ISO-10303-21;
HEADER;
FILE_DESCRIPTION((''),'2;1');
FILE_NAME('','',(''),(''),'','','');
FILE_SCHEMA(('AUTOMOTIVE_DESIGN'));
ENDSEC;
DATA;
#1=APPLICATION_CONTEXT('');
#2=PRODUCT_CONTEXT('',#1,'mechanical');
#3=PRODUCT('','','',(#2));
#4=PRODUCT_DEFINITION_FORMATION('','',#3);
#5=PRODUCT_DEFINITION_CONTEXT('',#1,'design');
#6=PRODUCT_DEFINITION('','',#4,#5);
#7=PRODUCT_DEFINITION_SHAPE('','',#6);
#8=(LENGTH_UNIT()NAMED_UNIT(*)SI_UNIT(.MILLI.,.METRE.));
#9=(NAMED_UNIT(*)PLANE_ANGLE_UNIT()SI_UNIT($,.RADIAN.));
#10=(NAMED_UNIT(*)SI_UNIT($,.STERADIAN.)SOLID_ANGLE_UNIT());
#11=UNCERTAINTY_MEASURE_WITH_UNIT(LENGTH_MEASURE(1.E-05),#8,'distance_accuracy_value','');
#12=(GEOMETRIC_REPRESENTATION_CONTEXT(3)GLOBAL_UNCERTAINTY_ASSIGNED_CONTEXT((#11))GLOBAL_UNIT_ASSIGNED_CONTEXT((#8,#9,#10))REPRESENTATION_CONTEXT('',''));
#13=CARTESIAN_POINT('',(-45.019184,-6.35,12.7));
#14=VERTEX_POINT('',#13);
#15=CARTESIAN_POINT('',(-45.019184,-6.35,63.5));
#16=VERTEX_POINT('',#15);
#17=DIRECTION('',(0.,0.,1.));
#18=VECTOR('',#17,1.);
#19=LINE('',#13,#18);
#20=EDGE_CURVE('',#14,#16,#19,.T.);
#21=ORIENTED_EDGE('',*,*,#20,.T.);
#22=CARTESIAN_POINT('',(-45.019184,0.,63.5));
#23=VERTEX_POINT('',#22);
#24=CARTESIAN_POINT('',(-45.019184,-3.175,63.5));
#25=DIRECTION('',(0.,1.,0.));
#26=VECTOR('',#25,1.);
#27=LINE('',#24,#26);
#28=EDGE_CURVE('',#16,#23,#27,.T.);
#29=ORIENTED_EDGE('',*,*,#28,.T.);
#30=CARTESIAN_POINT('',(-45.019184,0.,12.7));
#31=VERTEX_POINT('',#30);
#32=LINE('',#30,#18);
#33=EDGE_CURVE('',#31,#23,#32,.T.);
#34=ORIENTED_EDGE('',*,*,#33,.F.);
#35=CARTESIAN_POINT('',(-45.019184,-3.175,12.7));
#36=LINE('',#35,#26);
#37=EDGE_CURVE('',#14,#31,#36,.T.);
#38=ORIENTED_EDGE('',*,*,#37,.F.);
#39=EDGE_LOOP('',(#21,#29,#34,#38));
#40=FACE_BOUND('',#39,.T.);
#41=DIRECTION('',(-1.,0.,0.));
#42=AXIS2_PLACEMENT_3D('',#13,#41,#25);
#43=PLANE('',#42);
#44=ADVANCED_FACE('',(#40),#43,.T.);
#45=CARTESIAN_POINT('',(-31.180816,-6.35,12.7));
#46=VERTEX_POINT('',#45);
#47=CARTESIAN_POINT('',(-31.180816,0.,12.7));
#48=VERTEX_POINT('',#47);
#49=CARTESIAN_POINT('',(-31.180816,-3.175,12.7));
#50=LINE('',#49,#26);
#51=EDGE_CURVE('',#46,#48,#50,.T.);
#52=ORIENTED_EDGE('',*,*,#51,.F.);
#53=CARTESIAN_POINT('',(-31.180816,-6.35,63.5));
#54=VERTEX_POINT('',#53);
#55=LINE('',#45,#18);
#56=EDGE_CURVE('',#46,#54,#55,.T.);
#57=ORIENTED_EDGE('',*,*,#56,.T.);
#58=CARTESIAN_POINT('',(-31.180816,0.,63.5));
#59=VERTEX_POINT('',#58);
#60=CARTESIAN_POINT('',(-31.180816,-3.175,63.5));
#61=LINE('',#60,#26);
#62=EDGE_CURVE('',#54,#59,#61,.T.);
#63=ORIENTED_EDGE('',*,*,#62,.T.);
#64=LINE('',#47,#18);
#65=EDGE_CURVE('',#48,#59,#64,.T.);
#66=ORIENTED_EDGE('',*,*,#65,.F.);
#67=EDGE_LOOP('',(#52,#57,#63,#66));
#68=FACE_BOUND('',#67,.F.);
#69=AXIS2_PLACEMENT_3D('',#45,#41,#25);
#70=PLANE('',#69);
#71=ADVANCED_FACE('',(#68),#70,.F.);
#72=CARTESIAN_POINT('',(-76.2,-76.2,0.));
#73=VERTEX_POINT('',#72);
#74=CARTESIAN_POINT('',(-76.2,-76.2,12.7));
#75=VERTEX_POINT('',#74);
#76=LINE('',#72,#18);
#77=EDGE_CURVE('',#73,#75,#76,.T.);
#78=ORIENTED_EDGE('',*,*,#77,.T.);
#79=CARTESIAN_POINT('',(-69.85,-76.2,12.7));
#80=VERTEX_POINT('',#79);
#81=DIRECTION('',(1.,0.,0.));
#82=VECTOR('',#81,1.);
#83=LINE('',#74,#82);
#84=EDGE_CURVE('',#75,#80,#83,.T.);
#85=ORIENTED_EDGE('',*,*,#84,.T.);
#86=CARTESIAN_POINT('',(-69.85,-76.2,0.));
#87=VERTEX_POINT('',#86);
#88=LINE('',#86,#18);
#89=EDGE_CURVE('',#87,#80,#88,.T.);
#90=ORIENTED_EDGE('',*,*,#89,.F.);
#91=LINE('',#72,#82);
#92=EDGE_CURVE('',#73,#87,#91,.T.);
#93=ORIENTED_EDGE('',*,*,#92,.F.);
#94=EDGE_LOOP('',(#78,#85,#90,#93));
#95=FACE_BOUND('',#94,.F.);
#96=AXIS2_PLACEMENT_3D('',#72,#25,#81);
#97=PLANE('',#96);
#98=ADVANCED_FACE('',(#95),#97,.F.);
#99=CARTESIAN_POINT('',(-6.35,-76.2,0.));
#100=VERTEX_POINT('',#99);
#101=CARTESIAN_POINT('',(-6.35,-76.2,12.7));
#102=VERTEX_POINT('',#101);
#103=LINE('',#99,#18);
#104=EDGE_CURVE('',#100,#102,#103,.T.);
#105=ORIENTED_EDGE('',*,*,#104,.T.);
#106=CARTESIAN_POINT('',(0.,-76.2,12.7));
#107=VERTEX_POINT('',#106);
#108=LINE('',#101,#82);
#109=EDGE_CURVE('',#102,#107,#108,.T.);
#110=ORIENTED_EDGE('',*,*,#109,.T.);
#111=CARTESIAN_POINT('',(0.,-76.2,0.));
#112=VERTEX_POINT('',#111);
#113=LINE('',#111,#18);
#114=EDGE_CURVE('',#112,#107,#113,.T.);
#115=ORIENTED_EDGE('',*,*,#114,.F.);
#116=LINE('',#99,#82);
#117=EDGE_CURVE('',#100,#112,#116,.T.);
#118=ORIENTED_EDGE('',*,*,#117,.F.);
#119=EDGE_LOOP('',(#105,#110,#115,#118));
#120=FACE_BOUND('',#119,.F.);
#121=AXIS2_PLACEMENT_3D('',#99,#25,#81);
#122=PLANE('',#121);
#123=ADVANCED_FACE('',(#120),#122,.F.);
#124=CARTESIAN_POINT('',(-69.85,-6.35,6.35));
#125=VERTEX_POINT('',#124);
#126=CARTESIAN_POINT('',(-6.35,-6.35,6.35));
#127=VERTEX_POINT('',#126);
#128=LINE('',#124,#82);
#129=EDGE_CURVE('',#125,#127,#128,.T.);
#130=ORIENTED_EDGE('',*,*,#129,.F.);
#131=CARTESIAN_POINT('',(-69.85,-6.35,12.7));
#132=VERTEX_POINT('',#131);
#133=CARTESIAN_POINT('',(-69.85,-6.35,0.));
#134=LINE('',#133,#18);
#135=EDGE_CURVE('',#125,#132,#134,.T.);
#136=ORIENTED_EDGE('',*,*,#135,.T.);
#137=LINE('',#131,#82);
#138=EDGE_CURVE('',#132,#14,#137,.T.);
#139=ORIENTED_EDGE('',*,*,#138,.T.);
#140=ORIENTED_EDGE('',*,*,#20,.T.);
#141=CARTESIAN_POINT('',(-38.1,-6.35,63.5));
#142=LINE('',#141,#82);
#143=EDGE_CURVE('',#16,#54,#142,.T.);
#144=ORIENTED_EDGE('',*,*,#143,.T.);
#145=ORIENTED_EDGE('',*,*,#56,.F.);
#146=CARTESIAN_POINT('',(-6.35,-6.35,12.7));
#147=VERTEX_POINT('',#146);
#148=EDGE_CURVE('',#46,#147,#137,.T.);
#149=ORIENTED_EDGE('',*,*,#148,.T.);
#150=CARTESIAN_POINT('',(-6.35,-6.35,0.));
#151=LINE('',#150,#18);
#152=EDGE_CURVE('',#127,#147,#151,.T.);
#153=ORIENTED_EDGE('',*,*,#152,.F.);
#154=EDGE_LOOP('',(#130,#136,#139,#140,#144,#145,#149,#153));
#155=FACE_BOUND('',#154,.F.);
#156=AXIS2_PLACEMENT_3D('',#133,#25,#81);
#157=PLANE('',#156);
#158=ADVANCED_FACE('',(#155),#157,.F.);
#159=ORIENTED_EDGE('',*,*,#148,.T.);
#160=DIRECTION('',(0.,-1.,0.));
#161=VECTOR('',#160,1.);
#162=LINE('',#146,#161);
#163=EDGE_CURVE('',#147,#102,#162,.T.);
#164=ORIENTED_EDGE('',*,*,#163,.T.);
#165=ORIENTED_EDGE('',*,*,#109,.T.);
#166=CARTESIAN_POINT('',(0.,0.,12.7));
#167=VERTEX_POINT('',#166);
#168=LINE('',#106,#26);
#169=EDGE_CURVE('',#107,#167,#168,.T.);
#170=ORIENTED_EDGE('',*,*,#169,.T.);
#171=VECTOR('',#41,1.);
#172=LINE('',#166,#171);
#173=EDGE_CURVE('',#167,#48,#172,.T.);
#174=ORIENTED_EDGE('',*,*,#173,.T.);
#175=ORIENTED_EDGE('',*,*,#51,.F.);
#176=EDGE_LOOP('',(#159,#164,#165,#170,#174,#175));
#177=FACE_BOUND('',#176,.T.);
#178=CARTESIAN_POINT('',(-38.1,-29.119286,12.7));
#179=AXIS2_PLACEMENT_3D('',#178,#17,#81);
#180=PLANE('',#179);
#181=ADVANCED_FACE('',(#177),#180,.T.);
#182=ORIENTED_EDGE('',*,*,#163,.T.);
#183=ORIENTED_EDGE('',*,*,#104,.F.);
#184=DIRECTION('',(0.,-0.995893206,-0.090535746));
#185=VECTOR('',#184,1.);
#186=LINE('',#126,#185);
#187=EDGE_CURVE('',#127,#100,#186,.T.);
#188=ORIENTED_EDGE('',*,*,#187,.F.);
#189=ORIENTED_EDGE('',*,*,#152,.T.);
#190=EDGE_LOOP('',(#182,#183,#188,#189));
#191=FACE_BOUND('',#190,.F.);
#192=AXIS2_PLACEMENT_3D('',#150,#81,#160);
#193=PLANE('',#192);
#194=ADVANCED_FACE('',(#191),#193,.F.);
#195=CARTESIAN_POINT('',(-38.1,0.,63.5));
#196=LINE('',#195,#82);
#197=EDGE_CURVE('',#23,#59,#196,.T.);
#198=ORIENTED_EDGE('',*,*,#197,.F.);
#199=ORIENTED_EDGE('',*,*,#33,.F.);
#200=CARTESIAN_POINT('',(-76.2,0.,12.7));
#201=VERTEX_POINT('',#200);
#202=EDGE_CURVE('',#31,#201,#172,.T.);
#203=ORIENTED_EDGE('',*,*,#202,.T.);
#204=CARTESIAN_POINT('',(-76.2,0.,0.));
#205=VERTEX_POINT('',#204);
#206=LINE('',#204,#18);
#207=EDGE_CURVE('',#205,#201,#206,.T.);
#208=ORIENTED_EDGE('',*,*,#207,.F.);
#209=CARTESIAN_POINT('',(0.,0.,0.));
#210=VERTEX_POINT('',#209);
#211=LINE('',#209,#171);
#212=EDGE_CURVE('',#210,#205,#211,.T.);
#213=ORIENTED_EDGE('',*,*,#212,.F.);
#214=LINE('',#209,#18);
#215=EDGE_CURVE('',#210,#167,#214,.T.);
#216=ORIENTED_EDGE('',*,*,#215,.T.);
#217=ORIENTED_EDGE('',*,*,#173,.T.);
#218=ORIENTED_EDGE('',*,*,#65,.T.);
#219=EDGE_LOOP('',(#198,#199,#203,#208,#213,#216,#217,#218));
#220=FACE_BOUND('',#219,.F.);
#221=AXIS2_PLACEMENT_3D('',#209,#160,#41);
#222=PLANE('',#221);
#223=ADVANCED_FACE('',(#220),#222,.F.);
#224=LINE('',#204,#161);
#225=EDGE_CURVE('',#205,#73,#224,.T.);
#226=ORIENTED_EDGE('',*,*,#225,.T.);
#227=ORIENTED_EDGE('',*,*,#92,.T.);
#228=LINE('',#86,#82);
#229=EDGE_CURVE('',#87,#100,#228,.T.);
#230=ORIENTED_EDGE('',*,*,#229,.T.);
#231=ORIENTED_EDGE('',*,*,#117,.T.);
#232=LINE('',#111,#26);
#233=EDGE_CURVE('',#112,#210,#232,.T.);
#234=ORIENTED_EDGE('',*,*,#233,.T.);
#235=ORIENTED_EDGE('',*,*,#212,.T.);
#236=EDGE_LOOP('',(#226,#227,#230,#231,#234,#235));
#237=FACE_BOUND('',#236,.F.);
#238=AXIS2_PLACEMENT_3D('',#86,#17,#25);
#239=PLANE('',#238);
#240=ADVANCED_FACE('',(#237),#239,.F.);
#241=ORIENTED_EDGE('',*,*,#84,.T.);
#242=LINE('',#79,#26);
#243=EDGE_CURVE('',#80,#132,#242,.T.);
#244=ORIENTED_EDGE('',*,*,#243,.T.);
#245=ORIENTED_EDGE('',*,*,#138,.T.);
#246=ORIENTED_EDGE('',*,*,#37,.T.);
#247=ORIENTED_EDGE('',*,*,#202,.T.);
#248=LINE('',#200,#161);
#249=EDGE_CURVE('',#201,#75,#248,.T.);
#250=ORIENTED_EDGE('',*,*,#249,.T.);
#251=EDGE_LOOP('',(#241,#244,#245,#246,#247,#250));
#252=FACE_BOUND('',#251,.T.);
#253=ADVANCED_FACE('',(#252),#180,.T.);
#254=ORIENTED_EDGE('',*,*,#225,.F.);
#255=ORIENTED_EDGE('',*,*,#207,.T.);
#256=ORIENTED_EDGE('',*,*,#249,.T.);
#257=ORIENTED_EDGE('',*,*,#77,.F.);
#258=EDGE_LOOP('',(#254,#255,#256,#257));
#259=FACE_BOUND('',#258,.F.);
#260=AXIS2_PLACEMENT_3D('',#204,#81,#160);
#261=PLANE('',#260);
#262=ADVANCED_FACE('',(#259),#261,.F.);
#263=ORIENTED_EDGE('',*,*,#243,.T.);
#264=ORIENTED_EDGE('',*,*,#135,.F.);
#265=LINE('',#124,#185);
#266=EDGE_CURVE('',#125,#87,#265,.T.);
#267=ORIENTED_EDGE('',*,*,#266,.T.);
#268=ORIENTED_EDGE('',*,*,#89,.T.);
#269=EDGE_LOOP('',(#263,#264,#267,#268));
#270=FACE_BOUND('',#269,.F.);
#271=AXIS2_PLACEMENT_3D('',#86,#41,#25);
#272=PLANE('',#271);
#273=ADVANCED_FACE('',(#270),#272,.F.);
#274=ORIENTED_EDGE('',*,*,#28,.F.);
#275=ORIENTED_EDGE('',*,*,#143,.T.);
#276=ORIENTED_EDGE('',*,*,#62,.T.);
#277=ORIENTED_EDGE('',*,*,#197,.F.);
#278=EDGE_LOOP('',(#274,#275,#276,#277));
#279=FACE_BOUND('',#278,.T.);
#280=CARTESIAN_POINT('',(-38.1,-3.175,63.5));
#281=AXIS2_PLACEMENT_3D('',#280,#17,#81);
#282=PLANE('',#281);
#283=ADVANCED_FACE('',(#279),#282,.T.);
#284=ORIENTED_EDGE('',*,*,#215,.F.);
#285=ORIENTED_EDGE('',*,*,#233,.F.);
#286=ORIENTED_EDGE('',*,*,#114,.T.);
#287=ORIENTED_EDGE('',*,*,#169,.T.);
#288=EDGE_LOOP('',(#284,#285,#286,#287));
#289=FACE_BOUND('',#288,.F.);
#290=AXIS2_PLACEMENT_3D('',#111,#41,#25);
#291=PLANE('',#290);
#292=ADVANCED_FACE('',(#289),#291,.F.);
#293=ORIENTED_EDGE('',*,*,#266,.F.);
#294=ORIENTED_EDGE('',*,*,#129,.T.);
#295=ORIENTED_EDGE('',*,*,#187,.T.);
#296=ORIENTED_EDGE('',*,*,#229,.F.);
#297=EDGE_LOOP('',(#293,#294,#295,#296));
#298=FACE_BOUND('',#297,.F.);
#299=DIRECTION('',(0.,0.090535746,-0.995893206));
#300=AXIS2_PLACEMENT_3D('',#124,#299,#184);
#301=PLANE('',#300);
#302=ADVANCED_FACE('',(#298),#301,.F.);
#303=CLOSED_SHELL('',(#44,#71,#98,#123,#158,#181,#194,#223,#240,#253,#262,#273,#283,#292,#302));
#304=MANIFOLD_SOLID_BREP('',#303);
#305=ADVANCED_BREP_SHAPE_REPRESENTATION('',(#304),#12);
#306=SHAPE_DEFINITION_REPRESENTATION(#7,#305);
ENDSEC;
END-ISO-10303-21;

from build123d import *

# Parameters (mm, degrees)
F1_DEPTH = 12.7
F3_DEPTH = 63.5
F4_W     = 13.838368
F4_H     = 6.35
F5_DEPTH = 50.8


with BuildPart() as f1:
    # F0 (on Top) → F1 (new body)
    with BuildSketch(Plane.XY):
        Polygon((0, -76.2), (0, 0), (-76.2, 0), (-76.2, -76.2), (-69.85, -76.2), (-69.85, -6.35), (-38.1, -6.35), (-6.35, -6.35), (-6.35, -38.1), (-6.35, -76.2), align=None)
    extrude(amount=F1_DEPTH)

    # F2 (on face) → F3 (join)
    with BuildSketch(Plane.YZ.offset(-69.85)):
        Polygon((-76.2, 0), (-6.35, 0), (-6.35, 6.35), align=None)
    extrude(amount=F3_DEPTH)

    # F4 (on face) → F5 (join)
    with BuildSketch(Plane.XY.offset(12.7)):
        with Locations((-38.1, -3.175)):
            Rectangle(F4_W, F4_H)
    extrude(amount=F5_DEPTH)


solid = f1.part
